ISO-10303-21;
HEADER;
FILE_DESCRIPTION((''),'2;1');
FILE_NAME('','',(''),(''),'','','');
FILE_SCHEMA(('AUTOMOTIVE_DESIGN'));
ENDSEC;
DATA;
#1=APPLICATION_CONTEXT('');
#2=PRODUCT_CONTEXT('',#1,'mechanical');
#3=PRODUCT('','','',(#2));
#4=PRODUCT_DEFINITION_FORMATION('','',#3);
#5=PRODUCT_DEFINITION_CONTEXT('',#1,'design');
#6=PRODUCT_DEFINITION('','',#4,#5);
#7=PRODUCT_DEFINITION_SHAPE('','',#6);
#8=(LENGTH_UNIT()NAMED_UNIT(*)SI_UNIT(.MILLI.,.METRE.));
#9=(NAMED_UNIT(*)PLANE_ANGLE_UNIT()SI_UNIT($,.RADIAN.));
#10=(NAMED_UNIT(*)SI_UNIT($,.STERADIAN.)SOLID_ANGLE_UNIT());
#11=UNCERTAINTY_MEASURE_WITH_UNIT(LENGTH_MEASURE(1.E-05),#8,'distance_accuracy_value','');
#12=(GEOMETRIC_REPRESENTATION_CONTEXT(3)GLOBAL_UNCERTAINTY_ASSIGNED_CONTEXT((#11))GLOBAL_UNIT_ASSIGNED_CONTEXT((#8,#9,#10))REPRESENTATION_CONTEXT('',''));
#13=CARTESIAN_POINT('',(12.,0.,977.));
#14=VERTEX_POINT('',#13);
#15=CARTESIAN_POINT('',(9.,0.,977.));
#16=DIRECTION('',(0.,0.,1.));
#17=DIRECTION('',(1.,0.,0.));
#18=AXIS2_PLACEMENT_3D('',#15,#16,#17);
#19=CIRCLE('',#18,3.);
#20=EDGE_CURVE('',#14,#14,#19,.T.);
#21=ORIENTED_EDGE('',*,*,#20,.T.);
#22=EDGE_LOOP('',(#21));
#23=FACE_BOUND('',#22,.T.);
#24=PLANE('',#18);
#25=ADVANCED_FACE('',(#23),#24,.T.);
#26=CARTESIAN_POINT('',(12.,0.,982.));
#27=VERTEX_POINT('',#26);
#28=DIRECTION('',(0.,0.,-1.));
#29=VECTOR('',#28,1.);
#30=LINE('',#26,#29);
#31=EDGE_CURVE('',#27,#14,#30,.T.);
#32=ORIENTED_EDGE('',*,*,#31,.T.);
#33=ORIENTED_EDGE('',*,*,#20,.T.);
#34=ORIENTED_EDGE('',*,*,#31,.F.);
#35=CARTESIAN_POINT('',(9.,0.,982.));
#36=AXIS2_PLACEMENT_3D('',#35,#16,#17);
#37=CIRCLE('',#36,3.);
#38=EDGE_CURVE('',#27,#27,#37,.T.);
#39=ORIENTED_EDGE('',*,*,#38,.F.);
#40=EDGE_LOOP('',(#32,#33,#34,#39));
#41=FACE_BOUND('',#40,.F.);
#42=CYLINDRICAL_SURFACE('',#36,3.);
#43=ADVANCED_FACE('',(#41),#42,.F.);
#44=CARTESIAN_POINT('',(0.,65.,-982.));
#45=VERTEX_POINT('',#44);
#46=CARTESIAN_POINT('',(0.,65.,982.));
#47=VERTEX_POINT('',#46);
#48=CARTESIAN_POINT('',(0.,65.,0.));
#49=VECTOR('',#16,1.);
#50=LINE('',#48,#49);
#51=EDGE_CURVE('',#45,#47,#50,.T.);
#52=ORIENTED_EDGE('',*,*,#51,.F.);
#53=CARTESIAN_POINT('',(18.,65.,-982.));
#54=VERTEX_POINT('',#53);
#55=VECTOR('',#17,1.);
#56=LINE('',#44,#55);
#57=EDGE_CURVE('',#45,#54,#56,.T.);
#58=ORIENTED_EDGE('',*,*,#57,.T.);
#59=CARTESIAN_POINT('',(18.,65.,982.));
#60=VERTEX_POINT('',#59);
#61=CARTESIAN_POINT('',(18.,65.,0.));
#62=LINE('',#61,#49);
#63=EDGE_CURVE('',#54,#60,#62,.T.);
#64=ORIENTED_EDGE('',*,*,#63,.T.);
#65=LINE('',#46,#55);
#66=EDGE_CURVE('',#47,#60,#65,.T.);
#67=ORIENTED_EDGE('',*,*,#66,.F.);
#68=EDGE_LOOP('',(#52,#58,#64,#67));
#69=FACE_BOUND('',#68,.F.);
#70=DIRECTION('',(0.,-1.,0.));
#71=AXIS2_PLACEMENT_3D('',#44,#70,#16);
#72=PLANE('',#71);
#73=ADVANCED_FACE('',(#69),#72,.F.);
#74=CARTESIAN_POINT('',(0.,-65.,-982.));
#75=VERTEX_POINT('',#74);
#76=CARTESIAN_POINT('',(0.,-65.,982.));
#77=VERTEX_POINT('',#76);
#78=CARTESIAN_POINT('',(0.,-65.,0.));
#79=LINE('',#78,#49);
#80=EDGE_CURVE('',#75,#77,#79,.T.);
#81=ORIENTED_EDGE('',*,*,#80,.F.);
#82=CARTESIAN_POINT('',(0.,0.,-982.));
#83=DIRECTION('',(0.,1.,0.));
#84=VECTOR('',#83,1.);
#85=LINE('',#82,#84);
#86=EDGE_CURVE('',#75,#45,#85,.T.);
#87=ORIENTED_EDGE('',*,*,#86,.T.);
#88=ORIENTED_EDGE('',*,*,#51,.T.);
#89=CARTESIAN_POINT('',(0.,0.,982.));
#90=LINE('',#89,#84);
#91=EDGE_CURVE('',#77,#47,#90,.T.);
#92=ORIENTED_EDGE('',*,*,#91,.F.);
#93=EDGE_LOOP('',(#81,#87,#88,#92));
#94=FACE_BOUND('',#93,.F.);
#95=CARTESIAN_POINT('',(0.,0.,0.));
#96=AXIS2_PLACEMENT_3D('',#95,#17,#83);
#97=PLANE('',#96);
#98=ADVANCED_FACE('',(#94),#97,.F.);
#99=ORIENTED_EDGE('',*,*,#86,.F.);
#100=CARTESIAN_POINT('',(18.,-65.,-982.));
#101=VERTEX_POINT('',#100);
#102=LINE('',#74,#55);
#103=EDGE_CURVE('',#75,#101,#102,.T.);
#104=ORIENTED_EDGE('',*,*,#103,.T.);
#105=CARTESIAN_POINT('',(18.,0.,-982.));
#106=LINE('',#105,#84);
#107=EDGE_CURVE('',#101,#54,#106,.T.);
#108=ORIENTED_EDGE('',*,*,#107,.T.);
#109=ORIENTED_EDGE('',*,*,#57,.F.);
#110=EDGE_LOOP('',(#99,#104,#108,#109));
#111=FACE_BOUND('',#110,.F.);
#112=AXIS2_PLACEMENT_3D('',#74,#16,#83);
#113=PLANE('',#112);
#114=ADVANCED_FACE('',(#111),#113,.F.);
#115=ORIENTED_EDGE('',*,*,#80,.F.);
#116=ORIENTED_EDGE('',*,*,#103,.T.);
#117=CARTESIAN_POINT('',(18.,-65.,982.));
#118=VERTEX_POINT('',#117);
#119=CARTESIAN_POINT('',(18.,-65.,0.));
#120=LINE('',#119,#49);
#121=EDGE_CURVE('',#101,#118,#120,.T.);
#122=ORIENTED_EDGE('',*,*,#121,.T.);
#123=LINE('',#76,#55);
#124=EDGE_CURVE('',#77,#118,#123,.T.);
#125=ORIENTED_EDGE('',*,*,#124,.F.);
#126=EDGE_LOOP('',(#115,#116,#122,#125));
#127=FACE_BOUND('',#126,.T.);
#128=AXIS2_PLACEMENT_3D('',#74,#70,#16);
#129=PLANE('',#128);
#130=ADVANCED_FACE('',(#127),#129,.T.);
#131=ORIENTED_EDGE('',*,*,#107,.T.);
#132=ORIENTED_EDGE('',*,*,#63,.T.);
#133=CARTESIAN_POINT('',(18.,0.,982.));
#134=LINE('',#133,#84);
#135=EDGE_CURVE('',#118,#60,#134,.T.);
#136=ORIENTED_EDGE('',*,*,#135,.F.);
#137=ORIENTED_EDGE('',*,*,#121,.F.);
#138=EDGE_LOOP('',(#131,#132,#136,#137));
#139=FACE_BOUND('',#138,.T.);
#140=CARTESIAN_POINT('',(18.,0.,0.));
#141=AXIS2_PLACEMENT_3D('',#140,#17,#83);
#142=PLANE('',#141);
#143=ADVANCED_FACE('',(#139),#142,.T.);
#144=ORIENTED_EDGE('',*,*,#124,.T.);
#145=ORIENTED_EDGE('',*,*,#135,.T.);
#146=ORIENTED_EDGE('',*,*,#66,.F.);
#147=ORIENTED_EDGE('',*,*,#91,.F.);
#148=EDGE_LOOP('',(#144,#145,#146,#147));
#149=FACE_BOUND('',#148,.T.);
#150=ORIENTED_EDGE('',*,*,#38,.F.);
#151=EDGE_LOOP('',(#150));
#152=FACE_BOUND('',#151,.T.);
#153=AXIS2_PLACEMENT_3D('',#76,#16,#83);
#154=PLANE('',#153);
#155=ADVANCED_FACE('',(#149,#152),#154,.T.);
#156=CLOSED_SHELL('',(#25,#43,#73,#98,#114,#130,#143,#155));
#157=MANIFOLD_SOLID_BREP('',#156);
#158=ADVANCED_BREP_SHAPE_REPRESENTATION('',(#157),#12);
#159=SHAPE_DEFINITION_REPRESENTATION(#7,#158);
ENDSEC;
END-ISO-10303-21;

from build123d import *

# Parameters (mm, degrees)
F0_W     = 130
F0_H     = 1964
F1_DEPTH = 18
F2_R     = 3
F3_DEPTH = 5


with BuildPart() as f1:
    # F0 (on Right) → F1 (new body)
    with BuildSketch(Plane.YZ):
        Rectangle(F0_W, F0_H)
    extrude(amount=F1_DEPTH)

    # F2 (on face) → F3 (cut)
    with BuildSketch(Plane.XY.offset(982)):
        with Locations((9, 0)):
            Circle(F2_R)
    extrude(amount=-F3_DEPTH, mode=Mode.SUBTRACT)


solid = f1.part
